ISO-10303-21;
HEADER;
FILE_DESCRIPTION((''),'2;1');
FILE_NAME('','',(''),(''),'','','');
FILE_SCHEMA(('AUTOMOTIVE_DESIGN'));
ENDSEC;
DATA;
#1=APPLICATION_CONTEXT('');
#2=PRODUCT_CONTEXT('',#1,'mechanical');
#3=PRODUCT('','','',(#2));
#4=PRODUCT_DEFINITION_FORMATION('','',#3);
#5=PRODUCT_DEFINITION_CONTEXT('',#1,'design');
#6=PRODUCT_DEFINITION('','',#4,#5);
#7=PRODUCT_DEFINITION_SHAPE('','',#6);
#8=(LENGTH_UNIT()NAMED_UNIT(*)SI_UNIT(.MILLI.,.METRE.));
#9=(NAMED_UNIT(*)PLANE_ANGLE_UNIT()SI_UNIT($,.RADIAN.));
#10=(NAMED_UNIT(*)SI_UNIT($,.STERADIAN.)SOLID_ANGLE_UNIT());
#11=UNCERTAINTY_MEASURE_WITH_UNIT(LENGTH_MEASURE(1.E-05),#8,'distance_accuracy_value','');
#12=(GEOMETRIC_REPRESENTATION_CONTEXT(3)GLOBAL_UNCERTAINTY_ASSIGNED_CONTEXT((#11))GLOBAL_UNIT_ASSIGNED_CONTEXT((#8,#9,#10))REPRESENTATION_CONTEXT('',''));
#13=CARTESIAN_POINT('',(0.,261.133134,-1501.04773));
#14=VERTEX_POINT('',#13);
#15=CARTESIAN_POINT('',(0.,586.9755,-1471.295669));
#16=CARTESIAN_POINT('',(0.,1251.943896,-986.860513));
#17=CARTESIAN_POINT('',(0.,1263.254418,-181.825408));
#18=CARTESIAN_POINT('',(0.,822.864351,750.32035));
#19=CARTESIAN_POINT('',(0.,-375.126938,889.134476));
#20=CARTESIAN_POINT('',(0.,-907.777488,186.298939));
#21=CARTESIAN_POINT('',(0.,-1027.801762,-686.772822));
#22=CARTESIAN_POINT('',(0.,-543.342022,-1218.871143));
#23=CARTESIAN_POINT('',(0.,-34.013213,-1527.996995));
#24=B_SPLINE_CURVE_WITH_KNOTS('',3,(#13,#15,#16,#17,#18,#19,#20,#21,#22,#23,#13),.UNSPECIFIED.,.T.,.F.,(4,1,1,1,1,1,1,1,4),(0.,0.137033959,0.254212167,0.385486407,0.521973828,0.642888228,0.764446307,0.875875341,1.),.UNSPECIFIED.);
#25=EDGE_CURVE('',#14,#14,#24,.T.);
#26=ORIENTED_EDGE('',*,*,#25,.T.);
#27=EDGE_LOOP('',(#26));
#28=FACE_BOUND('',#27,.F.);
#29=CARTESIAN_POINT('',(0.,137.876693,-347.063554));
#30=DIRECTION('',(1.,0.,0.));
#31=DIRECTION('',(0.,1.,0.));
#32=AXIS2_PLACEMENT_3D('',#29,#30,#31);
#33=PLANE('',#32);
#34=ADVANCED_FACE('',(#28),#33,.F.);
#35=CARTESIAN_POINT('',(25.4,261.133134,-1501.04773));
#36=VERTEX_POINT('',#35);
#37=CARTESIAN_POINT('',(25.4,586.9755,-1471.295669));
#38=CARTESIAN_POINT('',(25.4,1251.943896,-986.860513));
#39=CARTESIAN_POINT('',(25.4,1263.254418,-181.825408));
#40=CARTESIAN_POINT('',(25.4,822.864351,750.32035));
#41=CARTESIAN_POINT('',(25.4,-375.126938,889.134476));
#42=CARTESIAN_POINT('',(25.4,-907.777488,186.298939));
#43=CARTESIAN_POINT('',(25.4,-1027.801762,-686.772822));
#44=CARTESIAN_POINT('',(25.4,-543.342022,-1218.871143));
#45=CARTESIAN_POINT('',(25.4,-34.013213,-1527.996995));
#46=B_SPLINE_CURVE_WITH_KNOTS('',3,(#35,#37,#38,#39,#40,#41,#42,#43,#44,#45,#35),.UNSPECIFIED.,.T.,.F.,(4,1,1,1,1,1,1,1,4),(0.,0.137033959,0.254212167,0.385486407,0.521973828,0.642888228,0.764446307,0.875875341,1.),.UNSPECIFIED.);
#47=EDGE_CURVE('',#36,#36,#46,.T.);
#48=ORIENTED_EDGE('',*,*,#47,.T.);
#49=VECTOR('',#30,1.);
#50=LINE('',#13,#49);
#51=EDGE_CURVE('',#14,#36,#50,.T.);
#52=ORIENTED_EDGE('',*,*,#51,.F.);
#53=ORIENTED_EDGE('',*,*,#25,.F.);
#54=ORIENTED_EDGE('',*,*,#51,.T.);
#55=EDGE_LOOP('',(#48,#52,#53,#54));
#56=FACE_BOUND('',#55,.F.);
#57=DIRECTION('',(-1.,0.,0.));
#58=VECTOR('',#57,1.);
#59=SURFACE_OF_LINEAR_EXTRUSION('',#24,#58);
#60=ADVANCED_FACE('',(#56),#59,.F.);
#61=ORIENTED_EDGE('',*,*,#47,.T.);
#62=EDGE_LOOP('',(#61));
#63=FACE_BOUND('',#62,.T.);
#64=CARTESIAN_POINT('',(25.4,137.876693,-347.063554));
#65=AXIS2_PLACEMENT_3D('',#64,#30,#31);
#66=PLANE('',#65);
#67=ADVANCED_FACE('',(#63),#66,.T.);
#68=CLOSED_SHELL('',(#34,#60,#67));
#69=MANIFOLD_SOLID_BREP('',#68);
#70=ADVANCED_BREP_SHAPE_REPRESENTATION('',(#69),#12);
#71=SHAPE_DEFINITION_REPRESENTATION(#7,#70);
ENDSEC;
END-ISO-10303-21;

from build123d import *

# Parameters (mm, degrees)
F1_DEPTH = 25.4


with BuildPart() as f1:
    # F0 (on Right) → F1 (new body)
    with BuildSketch(Plane.YZ):
        with BuildLine():
            add(Edge.make_bspline(
                [(261.1331343651, -1501.0477304459), (586.9754999207, -1471.2956690689), (1251.9438957949, -986.8605127106), (1263.2544180591, -181.8254083072), (822.8643510743, 750.3203495522), (-375.1269376119, 889.1344764274), (-907.7774876718, 186.2989388078), (-1027.8017623429, -686.7728221447), (-543.3420216206, -1218.8711432528), (-34.013212557, -1527.9969953576), (261.1331343651, -1501.0477304459)],
                knots=[0, 0, 0, 0, 0.1370339589, 0.254212167, 0.3854864072, 0.5219738279, 0.6428882282, 0.7644463073, 0.8758753414, 1, 1, 1, 1], degree=3))
        make_face()
    extrude(amount=F1_DEPTH)


solid = f1.part
